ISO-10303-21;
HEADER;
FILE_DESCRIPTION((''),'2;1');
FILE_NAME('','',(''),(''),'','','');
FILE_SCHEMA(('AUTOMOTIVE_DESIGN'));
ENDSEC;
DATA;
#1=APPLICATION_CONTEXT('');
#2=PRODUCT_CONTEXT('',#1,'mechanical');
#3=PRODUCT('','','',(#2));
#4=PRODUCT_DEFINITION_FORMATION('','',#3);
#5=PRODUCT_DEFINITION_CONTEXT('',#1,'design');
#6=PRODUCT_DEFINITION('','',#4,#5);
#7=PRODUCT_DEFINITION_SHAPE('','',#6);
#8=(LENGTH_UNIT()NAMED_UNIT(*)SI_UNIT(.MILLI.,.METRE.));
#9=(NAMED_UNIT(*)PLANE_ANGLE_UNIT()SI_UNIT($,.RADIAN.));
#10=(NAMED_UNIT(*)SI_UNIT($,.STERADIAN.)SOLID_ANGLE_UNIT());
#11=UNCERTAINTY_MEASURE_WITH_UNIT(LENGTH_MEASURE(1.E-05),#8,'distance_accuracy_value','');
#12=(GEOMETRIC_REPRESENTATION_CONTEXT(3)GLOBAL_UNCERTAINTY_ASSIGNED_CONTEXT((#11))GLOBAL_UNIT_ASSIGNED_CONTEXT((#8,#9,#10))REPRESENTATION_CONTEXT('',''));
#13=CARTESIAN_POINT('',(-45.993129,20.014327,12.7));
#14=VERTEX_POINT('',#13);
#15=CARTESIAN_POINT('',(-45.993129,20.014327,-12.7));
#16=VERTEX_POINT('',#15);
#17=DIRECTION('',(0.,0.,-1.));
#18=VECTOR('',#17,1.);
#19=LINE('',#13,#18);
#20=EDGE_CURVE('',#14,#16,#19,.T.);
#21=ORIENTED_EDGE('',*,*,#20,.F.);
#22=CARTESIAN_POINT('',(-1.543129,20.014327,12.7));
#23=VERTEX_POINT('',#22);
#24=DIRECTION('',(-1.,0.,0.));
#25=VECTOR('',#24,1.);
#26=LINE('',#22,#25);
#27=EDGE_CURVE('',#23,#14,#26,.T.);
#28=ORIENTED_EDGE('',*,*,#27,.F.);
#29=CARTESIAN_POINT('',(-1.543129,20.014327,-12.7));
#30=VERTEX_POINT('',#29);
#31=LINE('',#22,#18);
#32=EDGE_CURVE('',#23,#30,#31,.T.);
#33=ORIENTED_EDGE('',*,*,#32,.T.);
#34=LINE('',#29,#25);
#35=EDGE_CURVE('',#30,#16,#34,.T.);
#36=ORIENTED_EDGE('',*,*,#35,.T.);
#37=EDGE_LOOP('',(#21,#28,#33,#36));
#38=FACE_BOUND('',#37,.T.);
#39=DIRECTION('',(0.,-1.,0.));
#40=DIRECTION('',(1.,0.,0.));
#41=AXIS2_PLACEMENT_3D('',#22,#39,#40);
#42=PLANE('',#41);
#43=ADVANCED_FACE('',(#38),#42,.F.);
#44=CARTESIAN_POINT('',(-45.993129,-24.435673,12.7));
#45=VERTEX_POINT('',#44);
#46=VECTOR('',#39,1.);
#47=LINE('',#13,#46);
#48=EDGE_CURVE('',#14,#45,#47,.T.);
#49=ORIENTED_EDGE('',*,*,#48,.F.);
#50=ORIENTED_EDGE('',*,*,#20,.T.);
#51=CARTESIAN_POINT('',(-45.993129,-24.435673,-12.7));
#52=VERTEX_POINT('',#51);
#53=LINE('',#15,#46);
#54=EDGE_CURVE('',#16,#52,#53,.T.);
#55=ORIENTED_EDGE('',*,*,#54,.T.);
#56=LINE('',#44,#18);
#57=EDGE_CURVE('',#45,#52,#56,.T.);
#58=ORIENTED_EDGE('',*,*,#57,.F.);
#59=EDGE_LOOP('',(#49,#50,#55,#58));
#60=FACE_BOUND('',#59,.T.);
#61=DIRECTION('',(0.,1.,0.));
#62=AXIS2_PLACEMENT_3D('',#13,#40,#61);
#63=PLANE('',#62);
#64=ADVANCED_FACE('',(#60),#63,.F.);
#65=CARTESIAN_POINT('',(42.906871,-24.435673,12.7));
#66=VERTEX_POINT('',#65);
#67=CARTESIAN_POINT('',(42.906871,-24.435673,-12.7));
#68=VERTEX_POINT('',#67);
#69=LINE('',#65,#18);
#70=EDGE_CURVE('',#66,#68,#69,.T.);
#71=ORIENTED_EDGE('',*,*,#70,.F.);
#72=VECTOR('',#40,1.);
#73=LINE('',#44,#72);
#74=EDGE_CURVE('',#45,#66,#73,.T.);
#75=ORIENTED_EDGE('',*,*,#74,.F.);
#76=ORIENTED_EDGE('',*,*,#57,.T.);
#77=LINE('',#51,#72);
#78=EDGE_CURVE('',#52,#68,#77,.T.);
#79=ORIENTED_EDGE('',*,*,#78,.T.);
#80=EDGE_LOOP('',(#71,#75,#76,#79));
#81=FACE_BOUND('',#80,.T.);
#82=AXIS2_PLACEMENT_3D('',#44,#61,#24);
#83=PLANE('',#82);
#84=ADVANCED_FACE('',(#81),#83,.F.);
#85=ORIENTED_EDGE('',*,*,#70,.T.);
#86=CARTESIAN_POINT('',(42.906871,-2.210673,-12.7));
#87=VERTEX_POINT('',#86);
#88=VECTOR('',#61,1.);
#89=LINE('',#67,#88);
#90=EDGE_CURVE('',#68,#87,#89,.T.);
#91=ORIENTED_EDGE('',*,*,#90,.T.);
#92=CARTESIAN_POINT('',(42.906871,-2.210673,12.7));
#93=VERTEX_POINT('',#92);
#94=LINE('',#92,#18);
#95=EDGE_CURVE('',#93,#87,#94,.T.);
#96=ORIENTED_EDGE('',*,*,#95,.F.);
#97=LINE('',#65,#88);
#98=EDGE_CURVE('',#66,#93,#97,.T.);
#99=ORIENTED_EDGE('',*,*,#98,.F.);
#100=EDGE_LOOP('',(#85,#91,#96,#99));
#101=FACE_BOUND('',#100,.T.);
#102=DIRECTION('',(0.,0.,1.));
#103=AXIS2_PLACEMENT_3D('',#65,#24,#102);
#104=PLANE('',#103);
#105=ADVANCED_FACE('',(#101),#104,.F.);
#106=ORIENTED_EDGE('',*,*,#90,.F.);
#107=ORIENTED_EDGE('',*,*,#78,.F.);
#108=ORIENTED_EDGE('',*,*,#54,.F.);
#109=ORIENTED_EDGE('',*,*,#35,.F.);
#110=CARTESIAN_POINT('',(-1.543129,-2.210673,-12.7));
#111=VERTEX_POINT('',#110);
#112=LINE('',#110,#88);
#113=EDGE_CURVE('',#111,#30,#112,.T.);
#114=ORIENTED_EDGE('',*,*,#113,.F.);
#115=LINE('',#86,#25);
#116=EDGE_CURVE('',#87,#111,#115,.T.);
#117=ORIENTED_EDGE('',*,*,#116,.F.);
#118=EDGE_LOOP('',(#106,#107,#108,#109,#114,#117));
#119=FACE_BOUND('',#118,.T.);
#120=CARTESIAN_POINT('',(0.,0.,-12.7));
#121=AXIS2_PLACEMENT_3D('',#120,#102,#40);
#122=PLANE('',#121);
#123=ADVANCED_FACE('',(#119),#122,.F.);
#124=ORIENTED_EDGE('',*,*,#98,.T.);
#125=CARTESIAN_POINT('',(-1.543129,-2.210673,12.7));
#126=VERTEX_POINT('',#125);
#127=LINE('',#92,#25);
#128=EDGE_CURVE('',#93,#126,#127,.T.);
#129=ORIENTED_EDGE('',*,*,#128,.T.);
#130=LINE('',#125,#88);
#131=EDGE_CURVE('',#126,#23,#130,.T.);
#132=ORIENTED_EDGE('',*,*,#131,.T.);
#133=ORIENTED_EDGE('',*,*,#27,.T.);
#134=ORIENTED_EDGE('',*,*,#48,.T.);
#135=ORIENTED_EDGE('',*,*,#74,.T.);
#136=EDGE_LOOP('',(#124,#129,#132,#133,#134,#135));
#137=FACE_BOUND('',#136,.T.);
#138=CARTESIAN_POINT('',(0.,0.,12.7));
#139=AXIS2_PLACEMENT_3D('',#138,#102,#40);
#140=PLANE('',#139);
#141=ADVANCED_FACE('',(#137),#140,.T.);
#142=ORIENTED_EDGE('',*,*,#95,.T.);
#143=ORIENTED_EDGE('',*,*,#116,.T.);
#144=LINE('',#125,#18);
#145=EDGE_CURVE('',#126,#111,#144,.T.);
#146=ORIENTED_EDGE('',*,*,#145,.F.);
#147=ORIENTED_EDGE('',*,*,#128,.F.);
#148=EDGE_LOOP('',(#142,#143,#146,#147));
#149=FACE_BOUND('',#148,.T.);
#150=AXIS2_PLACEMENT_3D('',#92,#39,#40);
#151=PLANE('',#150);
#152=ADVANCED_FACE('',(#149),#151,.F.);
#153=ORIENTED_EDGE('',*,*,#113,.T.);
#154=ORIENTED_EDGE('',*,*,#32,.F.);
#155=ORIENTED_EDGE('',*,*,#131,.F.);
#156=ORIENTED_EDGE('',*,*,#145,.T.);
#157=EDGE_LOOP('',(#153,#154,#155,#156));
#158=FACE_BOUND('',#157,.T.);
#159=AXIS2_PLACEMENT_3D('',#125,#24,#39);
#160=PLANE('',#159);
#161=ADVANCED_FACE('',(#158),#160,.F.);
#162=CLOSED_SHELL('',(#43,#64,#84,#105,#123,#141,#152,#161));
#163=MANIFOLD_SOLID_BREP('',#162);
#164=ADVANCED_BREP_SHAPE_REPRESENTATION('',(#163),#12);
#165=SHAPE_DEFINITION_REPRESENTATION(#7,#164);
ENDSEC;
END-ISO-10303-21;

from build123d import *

# Parameters (mm, degrees)
BOSS_EXTRUDE1_DEPTH = 12.7


with BuildPart() as part:
    # Sketch2 → Boss-Extrude1 (new, symmetric)
    with BuildSketch(Plane.XY):
        Polygon((-45.993128667, 20.014327215), (-45.993128667, -24.435672785), (42.906871333, -24.435672785), (42.906871333, -2.210672785), (-1.543128667, -2.210672785), (-1.543128667, 20.014327215), align=None)
    extrude(amount=BOSS_EXTRUDE1_DEPTH, both=True)


solid = part.part
